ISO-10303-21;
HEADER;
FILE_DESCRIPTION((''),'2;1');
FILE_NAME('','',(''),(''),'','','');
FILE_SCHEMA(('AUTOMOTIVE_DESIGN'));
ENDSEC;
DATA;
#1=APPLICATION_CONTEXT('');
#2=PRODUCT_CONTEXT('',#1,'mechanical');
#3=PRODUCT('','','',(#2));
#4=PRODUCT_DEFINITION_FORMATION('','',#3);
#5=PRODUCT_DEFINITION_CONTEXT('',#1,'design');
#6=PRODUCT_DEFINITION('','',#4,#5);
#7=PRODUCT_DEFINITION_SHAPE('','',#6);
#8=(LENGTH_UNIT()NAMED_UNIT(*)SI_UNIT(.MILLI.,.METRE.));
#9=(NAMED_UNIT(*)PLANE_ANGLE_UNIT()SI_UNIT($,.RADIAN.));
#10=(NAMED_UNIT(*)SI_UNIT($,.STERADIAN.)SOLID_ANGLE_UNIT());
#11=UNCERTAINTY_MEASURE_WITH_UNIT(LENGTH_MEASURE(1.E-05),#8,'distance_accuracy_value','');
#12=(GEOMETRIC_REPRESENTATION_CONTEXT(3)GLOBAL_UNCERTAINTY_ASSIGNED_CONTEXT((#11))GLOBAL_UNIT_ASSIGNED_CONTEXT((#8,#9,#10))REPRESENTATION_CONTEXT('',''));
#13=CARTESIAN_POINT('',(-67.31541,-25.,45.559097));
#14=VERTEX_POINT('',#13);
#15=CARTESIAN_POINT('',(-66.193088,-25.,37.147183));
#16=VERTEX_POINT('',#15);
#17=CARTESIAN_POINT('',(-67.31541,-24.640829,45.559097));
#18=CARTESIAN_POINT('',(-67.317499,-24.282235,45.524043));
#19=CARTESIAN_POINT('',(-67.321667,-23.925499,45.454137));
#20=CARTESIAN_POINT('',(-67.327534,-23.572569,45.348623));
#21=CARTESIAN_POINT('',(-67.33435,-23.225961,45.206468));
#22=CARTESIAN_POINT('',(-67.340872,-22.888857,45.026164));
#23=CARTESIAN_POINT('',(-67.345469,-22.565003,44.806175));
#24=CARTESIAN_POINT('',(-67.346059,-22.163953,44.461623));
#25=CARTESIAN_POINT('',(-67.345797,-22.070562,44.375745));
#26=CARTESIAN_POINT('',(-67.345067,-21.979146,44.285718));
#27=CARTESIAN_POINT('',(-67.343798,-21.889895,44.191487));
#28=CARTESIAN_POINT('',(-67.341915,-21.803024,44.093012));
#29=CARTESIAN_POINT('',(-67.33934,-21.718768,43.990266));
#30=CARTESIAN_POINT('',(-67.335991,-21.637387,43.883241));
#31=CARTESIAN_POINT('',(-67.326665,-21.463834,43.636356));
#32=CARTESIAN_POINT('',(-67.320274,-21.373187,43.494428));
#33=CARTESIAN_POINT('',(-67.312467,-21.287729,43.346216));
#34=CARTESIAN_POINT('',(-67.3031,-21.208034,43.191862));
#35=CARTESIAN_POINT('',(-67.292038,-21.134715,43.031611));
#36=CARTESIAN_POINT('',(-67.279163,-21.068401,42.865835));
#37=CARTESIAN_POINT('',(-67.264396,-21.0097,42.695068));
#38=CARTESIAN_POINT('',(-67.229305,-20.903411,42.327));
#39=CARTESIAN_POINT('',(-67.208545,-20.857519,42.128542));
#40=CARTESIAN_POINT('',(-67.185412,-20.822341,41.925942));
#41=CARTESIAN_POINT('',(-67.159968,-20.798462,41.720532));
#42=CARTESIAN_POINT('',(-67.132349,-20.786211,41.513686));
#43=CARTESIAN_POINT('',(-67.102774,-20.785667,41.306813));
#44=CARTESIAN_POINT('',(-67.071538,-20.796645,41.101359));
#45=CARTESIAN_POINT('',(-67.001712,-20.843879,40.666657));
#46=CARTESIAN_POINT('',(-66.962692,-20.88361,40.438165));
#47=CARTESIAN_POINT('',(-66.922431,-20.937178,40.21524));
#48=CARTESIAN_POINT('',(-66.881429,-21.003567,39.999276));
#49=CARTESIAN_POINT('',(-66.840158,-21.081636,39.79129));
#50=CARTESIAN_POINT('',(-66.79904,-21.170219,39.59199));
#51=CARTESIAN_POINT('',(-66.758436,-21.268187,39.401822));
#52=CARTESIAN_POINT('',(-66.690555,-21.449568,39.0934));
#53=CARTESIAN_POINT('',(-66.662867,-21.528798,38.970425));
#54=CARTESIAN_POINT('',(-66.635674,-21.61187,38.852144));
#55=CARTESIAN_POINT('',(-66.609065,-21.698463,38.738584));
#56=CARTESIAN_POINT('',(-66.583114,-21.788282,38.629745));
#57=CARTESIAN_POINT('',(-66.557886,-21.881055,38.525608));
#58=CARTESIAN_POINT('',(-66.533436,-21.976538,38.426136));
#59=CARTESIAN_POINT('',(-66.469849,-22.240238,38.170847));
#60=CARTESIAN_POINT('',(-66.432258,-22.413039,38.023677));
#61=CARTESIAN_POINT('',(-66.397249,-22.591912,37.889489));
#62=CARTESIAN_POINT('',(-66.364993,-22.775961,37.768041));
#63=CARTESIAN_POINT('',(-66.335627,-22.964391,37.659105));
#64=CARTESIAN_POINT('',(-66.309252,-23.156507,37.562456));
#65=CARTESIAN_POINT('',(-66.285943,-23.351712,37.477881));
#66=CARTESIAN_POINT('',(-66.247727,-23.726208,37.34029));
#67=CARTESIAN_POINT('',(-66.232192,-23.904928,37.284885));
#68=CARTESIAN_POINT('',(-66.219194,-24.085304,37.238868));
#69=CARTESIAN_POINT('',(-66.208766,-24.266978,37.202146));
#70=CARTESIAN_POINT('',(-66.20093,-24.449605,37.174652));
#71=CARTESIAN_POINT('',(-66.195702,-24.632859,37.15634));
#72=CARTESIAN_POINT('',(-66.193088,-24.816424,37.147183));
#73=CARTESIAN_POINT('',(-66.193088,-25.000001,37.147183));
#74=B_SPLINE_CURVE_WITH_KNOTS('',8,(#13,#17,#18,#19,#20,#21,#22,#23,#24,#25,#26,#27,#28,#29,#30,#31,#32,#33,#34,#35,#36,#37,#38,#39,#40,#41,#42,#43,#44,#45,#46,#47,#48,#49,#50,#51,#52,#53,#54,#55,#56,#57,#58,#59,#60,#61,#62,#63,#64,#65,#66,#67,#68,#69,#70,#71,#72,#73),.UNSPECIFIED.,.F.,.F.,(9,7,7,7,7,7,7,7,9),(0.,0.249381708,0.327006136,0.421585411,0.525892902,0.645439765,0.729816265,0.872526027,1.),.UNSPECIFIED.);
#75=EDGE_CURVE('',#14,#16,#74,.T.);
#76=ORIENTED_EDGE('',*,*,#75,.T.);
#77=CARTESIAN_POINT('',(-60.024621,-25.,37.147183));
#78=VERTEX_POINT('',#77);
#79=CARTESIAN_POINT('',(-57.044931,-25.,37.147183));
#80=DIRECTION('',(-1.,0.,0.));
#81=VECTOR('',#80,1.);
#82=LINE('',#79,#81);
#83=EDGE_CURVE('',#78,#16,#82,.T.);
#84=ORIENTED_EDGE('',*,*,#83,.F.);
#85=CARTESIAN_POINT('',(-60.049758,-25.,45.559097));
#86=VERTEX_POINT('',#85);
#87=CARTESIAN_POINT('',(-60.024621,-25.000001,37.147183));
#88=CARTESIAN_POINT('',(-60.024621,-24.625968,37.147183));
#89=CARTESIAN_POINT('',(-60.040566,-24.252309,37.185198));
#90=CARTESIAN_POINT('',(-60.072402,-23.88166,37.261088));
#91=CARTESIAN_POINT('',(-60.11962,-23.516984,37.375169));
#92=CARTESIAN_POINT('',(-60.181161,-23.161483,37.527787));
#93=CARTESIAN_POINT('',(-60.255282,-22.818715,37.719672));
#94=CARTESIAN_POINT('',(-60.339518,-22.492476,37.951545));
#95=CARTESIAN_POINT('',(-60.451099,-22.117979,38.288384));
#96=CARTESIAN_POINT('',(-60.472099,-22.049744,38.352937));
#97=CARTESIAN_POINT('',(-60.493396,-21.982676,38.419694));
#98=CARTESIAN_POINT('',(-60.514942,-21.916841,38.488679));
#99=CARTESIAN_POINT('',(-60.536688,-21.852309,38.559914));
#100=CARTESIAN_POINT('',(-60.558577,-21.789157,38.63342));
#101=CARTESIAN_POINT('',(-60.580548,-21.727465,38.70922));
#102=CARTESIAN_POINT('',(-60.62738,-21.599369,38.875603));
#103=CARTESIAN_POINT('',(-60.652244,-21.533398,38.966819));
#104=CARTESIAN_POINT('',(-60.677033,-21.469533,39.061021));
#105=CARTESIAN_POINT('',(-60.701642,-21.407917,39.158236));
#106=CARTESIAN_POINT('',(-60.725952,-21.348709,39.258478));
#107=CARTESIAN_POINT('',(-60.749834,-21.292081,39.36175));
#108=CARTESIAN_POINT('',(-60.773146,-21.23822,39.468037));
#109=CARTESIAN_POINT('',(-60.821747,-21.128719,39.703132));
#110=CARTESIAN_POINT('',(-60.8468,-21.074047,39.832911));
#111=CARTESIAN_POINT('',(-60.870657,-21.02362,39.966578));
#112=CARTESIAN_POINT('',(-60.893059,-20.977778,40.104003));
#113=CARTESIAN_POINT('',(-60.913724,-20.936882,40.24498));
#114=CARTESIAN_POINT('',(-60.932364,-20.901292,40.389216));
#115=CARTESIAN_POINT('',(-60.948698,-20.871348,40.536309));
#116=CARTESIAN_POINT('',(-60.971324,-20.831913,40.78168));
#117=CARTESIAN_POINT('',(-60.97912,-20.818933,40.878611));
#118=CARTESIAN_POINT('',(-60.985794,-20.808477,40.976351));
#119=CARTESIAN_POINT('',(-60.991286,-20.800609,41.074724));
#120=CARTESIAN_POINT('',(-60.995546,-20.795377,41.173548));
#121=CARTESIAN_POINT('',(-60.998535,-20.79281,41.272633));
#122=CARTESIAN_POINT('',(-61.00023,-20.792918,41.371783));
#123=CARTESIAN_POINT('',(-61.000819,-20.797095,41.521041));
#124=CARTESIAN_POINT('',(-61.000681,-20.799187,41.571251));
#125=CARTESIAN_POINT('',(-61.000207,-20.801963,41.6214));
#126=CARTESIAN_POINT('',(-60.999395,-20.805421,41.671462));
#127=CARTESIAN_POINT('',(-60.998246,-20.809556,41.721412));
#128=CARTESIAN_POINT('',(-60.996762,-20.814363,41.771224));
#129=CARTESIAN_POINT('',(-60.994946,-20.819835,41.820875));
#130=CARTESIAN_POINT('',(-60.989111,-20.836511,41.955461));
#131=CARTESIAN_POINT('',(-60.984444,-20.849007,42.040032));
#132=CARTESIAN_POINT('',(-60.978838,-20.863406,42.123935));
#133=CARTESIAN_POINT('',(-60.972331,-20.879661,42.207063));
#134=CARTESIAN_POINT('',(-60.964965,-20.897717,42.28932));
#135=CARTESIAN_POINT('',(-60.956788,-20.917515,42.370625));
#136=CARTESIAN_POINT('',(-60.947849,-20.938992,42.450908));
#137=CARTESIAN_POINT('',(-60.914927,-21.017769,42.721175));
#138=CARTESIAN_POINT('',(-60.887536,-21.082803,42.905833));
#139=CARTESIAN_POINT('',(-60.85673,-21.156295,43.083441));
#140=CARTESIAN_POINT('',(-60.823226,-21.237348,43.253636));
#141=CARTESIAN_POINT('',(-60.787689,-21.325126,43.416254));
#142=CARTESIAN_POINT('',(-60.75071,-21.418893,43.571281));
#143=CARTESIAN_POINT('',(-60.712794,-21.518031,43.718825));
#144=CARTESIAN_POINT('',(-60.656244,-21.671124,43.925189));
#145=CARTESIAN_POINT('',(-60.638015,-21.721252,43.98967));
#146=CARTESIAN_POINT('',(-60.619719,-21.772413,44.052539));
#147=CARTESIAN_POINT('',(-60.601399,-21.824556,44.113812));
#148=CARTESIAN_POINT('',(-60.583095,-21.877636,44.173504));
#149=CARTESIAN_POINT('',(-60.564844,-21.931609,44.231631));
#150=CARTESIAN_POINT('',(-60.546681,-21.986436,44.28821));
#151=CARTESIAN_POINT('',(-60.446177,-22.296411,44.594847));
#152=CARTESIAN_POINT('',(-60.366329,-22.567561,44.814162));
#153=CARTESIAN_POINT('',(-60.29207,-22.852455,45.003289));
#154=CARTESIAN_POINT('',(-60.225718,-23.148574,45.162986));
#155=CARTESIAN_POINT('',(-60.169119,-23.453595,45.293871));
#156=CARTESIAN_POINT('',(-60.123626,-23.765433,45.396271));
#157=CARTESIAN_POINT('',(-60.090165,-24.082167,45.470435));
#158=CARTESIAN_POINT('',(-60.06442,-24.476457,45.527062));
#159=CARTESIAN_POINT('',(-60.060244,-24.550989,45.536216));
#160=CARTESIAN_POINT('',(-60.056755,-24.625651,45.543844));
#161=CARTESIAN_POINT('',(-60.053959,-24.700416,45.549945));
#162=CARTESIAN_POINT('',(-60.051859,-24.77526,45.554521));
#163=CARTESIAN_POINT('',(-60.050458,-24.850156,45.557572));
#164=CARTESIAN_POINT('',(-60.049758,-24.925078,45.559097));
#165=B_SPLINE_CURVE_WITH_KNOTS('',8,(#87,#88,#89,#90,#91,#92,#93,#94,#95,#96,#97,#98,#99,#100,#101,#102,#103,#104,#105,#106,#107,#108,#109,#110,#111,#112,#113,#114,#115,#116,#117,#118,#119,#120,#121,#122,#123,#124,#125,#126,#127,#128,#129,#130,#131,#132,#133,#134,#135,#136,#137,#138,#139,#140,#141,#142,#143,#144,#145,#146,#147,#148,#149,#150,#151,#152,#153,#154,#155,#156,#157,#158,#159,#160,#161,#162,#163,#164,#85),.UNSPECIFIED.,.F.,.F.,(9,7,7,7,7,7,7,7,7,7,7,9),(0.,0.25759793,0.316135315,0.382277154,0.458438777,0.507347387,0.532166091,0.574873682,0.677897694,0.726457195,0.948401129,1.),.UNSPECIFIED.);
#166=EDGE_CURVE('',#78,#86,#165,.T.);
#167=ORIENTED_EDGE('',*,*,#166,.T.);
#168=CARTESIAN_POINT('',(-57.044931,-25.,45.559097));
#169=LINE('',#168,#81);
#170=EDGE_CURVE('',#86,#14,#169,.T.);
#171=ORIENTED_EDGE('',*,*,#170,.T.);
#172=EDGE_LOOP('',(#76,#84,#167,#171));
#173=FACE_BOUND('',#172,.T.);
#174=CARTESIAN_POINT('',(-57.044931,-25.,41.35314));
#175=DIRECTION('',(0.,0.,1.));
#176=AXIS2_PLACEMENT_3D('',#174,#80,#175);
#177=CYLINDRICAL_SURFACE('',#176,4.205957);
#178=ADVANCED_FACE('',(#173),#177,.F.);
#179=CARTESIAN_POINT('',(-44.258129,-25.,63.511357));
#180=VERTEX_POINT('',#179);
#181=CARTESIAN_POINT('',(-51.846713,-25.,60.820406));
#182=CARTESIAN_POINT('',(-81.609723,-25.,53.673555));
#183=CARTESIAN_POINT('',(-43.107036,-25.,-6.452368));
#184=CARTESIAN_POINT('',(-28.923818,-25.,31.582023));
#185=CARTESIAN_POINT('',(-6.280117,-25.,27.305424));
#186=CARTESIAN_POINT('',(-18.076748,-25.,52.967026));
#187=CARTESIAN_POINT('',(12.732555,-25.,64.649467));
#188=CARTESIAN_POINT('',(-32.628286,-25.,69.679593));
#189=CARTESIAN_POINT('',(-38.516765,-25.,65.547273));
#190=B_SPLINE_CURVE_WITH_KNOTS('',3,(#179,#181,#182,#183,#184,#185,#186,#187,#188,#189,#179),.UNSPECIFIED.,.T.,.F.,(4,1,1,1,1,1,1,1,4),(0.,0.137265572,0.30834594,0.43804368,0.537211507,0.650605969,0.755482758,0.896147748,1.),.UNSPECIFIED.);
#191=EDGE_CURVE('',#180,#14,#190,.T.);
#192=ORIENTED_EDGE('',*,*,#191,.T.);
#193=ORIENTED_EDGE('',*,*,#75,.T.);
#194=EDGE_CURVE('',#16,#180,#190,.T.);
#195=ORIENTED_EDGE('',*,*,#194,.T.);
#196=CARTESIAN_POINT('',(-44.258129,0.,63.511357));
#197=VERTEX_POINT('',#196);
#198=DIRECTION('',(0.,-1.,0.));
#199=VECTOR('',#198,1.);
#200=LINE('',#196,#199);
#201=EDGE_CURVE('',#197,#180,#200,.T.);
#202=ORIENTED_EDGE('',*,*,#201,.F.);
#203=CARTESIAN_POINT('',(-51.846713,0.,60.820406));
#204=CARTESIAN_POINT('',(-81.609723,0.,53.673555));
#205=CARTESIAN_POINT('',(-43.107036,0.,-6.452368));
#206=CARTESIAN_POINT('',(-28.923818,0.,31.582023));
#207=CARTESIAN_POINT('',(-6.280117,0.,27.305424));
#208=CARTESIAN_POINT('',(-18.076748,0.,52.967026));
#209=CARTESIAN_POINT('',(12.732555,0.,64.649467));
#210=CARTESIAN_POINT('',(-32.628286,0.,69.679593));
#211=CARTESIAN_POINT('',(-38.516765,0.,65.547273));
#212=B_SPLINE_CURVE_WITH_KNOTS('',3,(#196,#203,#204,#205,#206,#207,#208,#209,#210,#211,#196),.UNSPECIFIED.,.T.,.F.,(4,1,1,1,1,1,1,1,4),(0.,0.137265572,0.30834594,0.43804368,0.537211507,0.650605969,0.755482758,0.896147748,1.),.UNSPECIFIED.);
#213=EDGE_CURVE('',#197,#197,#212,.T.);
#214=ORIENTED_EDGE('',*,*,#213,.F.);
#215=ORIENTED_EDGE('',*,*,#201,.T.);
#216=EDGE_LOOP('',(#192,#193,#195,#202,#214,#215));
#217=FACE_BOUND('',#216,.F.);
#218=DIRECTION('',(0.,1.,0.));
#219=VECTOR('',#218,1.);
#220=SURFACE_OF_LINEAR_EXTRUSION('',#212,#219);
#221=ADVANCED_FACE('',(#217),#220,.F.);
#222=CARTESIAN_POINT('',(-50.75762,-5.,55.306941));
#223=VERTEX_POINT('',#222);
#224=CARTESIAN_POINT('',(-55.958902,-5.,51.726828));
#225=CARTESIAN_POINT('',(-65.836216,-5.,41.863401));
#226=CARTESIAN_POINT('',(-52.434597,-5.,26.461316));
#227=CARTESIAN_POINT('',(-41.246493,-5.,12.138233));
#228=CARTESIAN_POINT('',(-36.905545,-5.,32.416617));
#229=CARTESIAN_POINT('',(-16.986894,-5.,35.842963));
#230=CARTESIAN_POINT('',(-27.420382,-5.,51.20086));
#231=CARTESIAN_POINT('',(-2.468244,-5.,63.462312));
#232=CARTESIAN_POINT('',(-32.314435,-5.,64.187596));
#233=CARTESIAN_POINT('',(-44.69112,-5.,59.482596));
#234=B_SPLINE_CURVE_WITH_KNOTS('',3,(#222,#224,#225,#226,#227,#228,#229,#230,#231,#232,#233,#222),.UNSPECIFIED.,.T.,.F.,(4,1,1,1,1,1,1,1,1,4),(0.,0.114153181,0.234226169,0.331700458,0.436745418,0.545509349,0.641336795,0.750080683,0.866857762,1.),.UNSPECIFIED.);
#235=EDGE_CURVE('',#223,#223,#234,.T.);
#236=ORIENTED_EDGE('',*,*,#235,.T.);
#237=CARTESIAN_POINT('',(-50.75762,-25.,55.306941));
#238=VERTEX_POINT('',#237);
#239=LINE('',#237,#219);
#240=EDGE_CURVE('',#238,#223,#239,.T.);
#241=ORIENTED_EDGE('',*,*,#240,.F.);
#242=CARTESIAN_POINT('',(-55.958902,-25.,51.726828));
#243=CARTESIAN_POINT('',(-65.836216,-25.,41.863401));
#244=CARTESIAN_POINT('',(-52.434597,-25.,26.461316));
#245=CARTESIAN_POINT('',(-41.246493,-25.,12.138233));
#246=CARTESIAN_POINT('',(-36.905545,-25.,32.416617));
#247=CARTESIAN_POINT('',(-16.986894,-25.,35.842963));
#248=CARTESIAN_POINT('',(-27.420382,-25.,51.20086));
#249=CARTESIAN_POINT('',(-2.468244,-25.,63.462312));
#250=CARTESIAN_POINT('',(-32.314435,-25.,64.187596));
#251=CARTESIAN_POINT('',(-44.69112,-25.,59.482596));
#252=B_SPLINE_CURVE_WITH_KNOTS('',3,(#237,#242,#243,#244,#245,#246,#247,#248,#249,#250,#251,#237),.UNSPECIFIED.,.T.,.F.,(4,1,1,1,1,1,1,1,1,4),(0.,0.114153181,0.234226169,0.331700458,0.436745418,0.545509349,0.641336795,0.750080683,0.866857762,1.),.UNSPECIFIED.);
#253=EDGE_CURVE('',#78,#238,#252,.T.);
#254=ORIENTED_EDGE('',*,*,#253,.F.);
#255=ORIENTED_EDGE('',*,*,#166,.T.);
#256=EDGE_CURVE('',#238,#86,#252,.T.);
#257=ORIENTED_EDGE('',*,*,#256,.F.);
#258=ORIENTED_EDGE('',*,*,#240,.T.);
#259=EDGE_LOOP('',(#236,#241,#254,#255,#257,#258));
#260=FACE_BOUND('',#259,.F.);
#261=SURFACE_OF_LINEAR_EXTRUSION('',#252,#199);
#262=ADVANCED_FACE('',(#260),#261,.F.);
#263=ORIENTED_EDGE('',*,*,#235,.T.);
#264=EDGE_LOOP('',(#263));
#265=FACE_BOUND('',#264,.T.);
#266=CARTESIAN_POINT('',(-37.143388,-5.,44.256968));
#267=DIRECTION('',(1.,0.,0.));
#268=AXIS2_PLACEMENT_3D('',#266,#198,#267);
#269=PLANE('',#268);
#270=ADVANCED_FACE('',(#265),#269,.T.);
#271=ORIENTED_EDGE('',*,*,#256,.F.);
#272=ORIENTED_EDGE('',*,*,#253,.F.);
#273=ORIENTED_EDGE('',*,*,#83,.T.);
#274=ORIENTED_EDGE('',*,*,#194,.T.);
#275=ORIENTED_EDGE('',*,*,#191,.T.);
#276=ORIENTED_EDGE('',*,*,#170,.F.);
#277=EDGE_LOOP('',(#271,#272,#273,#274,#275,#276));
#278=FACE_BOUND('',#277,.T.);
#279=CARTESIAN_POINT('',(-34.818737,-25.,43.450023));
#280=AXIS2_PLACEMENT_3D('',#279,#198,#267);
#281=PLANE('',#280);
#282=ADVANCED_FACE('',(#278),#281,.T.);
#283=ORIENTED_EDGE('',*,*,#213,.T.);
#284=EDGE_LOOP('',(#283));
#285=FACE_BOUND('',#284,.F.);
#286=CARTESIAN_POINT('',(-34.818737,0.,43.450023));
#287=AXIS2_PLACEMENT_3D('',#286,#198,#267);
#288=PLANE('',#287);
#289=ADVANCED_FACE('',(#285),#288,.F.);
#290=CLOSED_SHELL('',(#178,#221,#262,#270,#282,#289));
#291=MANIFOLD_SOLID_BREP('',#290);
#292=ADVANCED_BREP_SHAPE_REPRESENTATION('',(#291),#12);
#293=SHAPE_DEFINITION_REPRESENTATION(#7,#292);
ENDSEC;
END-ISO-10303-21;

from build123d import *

# Parameters (mm, degrees)
F1_DEPTH = 25
F3_DEPTH = 20


with BuildPart() as f1:
    # F0 (on Front) → F1 (new body)
    with BuildSketch(Plane.XZ):
        with BuildLine():
            add(Edge.make_bspline(
                [(-44.2581288517, 63.5113567114), (-51.8467134092, 60.8204064771), (-81.6097227153, 53.6735548522), (-43.1070358907, -6.4523683948), (-28.923817549, 31.5820234103), (-6.2801172291, 27.3054241082), (-18.0767479493, 52.9670255805), (12.7325549955, 64.6494668765), (-32.6282862724, 69.6795930443), (-38.5167649638, 65.5472732097), (-44.2581288517, 63.5113567114)],
                knots=[0, 0, 0, 0, 0.1372655718, 0.3083459401, 0.4380436804, 0.5372115073, 0.6506059694, 0.7554827576, 0.8961477479, 1, 1, 1, 1], degree=3))
        make_face()
    extrude(amount=F1_DEPTH)

    # F2 (on face) → F3 (cut)
    with BuildSketch(Plane.XZ.offset(25)):
        with BuildLine():
            add(Edge.make_bspline(
                [(-50.7576204836, 55.3069412708), (-55.9589024141, 51.7268278727), (-65.8362158936, 41.8634008725), (-52.4345973727, 26.4613159681), (-41.2464932562, 12.1382330916), (-36.9055447723, 32.4166166835), (-16.9868937238, 35.8429625945), (-27.4203819257, 51.2008596618), (-2.4682437894, 63.4623118353), (-32.3144347976, 64.1875957811), (-44.6911201119, 59.4825963403), (-50.7576204836, 55.3069412708)],
                knots=[0, 0, 0, 0, 0.1141531809, 0.2342261694, 0.3317004583, 0.436745418, 0.5455093494, 0.6413367953, 0.7500806834, 0.8668577624, 1, 1, 1, 1], degree=3))
        make_face()
    extrude(amount=-F3_DEPTH, mode=Mode.SUBTRACT)

    # F4 (on face) → F5 (revolve, cut)
    with BuildSketch(Plane.XZ.offset(25)):
        with BuildLine():
            Line((-67.3154102207, 45.5590970814), (-71.0824206471, 45.5590970814))
            Line((-71.0824206471, 45.5590970814), (-71.0824206471, 41.3531400263))
            Line((-71.0824206471, 41.3531400263), (-67.1080495074, 41.3531400263))
            add(Edge.make_bspline(
                [(-67.3154102207, 45.5590970814), (-67.3943998986, 44.2337927595), (-67.3183541114, 42.8215634153), (-67.1080495074, 41.3531400263)],
                knots=[0.1456189624, 0.1456189624, 0.1456189624, 0.1456189624, 0.1622520385, 0.1622520385, 0.1622520385, 0.1622520385], degree=3))
        make_face()
        with BuildLine():
            Line((-60.0497579346, 45.5590970814), (-67.3154102207, 45.5590970814))
            add(Edge.make_bspline(
                [(-67.3154102207, 45.5590970814), (-67.3943998986, 44.2337927595), (-67.3183541114, 42.8215634153), (-67.1080495074, 41.3531400263)],
                knots=[0.1456189624, 0.1456189624, 0.1456189624, 0.1456189624, 0.1622520385, 0.1622520385, 0.1622520385, 0.1622520385], degree=3))
            Line((-67.1080495074, 41.3531400263), (-60.9993540401, 41.3531400263))
            add(Edge.make_bspline(
                [(-60.0497579346, 45.5590970814), (-60.6027546362, 44.3547990921), (-60.9847211087, 42.9501486458), (-61.0023977629, 41.5264261437), (-60.9993540401, 41.3531400263)],
                knots=[0.0859139992, 0.0859139992, 0.0859139992, 0.0859139992, 0.1141531809, 0.1180596953, 0.1180596953, 0.1180596953, 0.1180596953], degree=3))
        make_face()
        with BuildLine():
            Line((-57.0449307561, 45.5590970814), (-60.0497579346, 45.5590970814))
            add(Edge.make_bspline(
                [(-60.0497579346, 45.5590970814), (-60.6027546362, 44.3547990921), (-60.9847211087, 42.9501486458), (-61.0023977629, 41.5264261437), (-60.9993540401, 41.3531400263)],
                knots=[0.0859139992, 0.0859139992, 0.0859139992, 0.0859139992, 0.1141531809, 0.1180596953, 0.1180596953, 0.1180596953, 0.1180596953], degree=3))
            Line((-60.9993540401, 41.3531400263), (-57.0449307561, 41.3531400263))
            Line((-57.0449307561, 41.3531400263), (-57.0449307561, 45.5590970814))
        make_face()
    revolve(axis=Axis((-64.0636757016, -25, 41.3531400263), (1, 0, 0)), mode=Mode.SUBTRACT)


solid = f1.part
